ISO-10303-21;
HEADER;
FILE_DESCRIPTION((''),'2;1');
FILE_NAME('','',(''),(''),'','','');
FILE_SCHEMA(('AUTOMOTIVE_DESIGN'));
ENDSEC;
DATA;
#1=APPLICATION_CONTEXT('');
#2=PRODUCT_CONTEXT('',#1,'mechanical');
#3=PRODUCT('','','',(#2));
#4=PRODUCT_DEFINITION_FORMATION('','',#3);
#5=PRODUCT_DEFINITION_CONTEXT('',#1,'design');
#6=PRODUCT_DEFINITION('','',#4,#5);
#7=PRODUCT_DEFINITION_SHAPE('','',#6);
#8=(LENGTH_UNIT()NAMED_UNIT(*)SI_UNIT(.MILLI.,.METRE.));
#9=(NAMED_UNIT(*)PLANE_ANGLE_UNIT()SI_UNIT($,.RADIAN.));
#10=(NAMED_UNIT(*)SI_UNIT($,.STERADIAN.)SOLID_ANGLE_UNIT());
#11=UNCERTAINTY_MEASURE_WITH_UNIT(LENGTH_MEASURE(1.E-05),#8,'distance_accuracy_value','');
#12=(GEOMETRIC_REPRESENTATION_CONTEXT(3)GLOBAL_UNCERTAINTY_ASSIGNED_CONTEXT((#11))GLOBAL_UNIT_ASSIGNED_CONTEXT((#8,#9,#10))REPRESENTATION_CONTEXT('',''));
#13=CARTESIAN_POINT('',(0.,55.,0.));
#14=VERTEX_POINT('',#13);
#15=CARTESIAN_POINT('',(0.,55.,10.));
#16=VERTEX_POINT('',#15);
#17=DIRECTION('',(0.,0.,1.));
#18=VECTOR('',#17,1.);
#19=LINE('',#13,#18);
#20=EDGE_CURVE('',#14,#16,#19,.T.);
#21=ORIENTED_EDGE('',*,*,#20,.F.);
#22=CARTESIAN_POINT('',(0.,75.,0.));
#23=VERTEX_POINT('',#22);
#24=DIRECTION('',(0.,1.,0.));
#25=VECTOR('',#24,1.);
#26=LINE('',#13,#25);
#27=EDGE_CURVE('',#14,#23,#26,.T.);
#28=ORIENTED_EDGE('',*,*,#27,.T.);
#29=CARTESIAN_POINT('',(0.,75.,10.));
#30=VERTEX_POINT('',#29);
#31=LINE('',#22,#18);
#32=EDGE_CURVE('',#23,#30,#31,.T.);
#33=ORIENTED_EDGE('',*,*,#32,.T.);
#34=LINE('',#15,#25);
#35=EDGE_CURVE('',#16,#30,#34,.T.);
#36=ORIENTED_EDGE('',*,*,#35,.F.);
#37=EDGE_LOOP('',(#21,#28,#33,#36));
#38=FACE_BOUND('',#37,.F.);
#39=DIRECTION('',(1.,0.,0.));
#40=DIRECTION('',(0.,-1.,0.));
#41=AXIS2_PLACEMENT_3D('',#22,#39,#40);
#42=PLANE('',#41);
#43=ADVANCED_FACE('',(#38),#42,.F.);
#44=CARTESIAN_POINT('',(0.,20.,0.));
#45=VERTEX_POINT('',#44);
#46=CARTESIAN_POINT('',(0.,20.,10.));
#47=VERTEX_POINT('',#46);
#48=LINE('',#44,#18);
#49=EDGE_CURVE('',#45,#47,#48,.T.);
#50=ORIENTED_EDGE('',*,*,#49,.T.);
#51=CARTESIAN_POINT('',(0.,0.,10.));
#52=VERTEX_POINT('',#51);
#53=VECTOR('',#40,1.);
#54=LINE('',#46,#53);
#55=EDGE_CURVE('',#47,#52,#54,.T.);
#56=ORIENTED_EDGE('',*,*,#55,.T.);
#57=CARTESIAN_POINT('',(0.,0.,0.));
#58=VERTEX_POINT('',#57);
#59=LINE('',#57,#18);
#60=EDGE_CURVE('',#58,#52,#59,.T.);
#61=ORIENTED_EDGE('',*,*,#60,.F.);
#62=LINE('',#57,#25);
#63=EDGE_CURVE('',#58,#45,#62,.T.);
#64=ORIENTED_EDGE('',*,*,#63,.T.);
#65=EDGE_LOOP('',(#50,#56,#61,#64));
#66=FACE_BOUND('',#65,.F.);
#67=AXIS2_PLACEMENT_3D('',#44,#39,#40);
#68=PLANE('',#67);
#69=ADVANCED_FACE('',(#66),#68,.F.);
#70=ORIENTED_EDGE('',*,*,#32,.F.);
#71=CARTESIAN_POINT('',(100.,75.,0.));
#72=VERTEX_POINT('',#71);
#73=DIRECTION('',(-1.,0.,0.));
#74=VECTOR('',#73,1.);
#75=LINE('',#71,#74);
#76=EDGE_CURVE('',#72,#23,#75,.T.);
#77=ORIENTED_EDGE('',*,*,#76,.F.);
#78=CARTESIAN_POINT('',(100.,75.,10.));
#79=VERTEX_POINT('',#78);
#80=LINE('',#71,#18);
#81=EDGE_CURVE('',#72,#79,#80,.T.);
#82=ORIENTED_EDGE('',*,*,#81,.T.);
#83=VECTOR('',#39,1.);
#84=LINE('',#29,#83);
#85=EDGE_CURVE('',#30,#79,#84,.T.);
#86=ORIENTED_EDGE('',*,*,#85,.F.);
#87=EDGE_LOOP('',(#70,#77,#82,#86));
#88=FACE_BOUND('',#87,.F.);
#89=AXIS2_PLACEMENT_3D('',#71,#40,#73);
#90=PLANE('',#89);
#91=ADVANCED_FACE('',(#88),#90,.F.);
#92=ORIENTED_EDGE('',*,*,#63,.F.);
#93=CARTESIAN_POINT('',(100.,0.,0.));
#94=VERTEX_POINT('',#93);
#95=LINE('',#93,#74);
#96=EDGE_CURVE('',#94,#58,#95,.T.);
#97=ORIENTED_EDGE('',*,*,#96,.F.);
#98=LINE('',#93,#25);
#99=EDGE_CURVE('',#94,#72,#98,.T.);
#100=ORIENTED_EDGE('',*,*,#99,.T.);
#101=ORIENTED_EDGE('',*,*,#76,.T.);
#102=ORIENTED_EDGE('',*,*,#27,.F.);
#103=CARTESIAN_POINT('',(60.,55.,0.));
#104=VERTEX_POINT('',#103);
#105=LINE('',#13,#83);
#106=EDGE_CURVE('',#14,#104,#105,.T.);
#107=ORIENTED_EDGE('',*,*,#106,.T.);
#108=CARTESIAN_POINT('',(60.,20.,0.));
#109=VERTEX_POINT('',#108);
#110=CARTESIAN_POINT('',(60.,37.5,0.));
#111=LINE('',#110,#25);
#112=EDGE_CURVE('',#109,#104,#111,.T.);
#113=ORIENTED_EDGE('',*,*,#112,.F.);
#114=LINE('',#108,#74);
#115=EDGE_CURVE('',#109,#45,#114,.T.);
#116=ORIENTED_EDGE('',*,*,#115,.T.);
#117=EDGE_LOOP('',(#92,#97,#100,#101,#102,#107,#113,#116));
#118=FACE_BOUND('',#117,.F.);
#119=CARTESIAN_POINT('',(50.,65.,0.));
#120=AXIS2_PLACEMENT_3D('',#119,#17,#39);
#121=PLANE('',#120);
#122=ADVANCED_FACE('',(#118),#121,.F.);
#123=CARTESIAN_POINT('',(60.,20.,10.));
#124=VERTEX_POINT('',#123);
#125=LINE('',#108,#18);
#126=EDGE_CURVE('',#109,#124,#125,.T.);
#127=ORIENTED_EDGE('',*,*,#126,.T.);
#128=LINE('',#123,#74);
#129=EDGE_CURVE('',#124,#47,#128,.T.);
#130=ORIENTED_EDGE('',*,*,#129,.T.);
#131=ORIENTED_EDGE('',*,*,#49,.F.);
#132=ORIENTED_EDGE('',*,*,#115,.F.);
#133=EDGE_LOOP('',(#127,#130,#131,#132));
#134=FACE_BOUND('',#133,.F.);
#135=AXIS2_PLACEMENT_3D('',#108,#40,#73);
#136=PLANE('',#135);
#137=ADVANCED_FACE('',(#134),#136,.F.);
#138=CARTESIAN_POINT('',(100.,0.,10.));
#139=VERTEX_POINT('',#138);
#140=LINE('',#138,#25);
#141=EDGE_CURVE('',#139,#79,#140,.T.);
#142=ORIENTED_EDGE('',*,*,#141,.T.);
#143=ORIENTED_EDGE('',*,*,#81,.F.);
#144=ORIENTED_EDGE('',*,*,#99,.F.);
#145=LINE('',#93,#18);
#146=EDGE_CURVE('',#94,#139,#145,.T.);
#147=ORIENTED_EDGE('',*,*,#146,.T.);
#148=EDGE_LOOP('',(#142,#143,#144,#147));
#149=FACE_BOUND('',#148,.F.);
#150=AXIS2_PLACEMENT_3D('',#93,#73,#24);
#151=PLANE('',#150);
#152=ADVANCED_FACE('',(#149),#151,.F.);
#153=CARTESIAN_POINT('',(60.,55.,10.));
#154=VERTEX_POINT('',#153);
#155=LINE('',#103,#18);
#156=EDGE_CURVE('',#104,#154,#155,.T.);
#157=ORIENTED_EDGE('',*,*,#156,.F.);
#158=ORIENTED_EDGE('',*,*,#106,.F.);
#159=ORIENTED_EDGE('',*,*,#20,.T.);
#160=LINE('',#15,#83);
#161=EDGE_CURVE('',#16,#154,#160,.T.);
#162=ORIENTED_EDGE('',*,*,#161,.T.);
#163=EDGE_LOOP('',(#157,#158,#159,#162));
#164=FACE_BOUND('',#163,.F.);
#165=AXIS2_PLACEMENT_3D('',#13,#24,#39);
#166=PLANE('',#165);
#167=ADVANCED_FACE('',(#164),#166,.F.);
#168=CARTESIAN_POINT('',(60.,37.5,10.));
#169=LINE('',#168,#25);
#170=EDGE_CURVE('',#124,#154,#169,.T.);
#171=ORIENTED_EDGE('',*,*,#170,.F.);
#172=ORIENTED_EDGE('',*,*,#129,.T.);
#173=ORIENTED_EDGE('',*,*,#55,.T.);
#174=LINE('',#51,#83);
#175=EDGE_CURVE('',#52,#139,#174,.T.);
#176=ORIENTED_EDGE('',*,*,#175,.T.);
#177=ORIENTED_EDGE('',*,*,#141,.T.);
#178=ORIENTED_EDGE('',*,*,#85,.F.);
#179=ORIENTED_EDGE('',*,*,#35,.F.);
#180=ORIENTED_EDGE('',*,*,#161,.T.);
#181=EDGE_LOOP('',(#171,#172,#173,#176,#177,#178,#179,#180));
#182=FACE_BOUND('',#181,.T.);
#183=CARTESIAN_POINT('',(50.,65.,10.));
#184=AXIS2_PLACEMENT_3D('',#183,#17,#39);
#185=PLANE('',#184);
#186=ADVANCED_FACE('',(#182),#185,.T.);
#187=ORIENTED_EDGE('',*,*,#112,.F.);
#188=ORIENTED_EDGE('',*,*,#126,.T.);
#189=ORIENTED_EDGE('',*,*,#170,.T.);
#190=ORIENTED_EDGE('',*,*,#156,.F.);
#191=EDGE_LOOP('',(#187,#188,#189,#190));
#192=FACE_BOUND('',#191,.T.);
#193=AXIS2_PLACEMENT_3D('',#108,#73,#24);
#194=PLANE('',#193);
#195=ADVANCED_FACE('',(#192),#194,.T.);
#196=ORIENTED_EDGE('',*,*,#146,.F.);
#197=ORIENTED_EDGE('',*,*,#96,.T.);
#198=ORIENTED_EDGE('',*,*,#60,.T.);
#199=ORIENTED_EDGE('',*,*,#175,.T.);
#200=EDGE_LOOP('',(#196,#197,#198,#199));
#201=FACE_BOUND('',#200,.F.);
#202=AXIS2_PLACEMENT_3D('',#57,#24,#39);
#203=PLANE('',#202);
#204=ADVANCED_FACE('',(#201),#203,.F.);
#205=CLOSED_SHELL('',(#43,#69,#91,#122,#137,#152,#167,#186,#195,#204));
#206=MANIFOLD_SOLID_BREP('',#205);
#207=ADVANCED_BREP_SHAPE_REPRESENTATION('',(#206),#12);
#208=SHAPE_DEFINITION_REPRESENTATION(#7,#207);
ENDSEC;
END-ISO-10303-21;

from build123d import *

# Parameters (mm, degrees)
F0_W     = 40
F0_H     = 35
F1_DEPTH = 10
F3_DEPTH = 10


with BuildPart() as f1:
    # F0 (on Top) → F1 (new body)
    with BuildSketch(Plane.XY):
        Polygon((0, 75), (0, 55), (60, 55), (100, 55), (100, 75), align=None)
        with Locations((80, 37.5)):
            Rectangle(F0_W, F0_H)
        Polygon((0, 20), (0, 0), (100, 0), (100, 20), (60, 20), align=None)
    extrude(amount=F1_DEPTH)

    # F2 (on face) → F3 (join, through all)
    with BuildSketch(Plane.XY.offset(10)):
        with BuildLine():
            ThreePointArc((0, 68), (6.9741670742, 72.626784841), (15, 75))
            Line((15, 75), (0, 75))
            Line((0, 75), (0, 68))
        make_face()
        with BuildLine():
            ThreePointArc((15, 0), (6.7778411295, 1.9525167061), (0, 7))
            Line((0, 7), (0, 0))
            Line((0, 0), (15, 0))
        make_face()
    extrude(amount=-F3_DEPTH)


solid = f1.part
